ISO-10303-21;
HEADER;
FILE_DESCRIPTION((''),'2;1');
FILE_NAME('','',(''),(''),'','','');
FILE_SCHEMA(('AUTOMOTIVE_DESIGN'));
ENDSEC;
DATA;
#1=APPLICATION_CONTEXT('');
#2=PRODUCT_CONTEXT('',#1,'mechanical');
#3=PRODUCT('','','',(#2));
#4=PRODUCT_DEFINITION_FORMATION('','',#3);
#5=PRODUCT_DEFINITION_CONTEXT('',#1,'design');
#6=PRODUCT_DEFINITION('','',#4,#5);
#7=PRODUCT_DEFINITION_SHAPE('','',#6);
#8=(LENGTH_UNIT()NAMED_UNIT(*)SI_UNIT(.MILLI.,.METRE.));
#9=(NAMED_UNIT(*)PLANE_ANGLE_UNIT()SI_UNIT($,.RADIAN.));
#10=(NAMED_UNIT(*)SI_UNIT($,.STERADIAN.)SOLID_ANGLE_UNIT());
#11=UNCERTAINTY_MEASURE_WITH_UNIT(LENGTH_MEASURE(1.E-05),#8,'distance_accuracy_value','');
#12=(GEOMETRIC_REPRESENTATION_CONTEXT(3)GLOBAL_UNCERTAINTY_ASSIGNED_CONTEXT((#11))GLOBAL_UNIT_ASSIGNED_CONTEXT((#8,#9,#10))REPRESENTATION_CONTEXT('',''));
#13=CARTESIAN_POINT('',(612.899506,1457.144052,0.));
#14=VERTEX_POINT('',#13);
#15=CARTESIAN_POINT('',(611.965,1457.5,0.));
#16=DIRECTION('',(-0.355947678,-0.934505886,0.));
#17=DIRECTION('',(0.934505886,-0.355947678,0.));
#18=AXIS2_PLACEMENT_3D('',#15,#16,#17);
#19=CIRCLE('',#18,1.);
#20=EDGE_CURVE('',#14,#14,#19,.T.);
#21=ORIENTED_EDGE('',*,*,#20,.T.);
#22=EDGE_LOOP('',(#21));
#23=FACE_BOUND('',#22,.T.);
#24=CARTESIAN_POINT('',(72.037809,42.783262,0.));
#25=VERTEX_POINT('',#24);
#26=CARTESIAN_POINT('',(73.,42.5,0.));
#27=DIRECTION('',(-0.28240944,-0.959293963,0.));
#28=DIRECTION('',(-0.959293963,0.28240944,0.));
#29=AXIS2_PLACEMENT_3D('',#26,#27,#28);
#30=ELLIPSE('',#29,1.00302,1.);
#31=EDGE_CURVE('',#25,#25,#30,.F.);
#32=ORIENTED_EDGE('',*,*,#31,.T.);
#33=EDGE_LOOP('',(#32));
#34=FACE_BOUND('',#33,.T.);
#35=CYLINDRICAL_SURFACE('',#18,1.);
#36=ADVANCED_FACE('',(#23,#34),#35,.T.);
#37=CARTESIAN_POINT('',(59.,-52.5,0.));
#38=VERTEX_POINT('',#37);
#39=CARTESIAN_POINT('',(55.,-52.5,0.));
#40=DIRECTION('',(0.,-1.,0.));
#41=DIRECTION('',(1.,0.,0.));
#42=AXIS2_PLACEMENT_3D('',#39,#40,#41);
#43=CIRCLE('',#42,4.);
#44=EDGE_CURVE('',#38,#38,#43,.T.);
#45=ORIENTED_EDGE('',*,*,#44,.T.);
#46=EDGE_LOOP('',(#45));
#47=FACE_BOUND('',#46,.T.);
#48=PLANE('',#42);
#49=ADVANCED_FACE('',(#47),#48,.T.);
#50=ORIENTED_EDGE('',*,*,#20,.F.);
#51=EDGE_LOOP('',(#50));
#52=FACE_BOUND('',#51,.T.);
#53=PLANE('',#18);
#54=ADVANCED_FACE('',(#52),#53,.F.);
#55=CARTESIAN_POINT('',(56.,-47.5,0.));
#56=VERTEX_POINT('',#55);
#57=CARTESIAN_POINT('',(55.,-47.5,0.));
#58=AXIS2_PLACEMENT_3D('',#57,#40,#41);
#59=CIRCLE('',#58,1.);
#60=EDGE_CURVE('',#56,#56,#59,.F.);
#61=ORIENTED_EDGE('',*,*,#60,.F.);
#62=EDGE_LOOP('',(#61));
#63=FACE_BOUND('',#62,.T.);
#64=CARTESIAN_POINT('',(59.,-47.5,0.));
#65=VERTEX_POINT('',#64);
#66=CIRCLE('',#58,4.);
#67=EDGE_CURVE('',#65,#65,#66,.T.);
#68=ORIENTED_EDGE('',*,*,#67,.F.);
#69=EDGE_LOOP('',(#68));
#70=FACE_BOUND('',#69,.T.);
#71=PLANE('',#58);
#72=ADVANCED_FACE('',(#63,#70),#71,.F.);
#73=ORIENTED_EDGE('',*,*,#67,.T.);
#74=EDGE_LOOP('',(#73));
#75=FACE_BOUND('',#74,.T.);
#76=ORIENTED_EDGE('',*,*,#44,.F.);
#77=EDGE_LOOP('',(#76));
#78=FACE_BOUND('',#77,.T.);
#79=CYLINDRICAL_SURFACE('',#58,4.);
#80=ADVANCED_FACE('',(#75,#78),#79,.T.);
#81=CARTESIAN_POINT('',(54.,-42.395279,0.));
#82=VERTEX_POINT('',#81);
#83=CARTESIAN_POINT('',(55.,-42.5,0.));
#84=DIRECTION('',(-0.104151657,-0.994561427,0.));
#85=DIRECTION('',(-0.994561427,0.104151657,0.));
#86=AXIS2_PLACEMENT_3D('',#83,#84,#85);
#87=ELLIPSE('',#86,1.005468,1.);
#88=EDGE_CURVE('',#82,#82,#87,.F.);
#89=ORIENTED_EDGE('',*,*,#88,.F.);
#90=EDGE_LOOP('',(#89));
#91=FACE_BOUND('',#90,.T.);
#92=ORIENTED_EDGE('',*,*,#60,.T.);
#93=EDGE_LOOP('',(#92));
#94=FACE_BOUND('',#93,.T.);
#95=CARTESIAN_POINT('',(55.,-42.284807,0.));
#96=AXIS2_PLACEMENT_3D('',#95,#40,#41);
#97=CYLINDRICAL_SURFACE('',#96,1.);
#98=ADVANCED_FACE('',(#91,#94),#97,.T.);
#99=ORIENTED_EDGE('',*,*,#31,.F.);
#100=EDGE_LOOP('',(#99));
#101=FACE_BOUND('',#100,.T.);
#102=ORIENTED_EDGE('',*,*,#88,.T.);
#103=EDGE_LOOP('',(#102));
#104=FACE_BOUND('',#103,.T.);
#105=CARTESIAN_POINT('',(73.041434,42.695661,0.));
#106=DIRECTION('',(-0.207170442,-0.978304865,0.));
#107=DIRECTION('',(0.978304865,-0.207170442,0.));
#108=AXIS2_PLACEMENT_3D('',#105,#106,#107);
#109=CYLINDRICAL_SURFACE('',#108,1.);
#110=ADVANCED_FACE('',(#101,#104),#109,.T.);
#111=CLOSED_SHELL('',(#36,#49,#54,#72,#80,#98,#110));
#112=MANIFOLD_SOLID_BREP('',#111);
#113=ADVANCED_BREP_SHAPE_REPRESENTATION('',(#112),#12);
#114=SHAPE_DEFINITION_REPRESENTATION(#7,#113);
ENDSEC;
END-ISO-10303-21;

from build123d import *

# Parameters (mm, degrees)
SWEEP1_PROFILE_R    = 1
SKETCH10_R          = 4
BOSS_EXTRUDE1_DEPTH = 5


with BuildPart() as part:
    # Sweep1: sweep along a path in Sketch1
    with BuildLine(Plane.XY) as sweep1_path:
        Line((611.965, 1457.5), (73, 42.5))
        Line((73, 42.5), (55, -42.5))
        Line((55, -42.5), (55, -52.5))
    # Sweep1 profile (on start of the path) → Sweep1 (sweep)
    with BuildSketch(Plane(origin=(611.965, 1457.5, 0), x_dir=(-0.9345058856809988, 0.35594767821629636, 0), z_dir=(-0.35594767821629636, -0.9345058856809988, 0))):
        Circle(SWEEP1_PROFILE_R)
    sweep(path=sweep1_path.line, transition=Transition.RIGHT)

    # Sketch10 → Boss-Extrude1 (add)
    with BuildSketch(Plane.XZ.offset(52.5)):
        with Locations((55, 0)):
            Circle(SKETCH10_R)
    extrude(amount=-BOSS_EXTRUDE1_DEPTH)


solid = part.part
